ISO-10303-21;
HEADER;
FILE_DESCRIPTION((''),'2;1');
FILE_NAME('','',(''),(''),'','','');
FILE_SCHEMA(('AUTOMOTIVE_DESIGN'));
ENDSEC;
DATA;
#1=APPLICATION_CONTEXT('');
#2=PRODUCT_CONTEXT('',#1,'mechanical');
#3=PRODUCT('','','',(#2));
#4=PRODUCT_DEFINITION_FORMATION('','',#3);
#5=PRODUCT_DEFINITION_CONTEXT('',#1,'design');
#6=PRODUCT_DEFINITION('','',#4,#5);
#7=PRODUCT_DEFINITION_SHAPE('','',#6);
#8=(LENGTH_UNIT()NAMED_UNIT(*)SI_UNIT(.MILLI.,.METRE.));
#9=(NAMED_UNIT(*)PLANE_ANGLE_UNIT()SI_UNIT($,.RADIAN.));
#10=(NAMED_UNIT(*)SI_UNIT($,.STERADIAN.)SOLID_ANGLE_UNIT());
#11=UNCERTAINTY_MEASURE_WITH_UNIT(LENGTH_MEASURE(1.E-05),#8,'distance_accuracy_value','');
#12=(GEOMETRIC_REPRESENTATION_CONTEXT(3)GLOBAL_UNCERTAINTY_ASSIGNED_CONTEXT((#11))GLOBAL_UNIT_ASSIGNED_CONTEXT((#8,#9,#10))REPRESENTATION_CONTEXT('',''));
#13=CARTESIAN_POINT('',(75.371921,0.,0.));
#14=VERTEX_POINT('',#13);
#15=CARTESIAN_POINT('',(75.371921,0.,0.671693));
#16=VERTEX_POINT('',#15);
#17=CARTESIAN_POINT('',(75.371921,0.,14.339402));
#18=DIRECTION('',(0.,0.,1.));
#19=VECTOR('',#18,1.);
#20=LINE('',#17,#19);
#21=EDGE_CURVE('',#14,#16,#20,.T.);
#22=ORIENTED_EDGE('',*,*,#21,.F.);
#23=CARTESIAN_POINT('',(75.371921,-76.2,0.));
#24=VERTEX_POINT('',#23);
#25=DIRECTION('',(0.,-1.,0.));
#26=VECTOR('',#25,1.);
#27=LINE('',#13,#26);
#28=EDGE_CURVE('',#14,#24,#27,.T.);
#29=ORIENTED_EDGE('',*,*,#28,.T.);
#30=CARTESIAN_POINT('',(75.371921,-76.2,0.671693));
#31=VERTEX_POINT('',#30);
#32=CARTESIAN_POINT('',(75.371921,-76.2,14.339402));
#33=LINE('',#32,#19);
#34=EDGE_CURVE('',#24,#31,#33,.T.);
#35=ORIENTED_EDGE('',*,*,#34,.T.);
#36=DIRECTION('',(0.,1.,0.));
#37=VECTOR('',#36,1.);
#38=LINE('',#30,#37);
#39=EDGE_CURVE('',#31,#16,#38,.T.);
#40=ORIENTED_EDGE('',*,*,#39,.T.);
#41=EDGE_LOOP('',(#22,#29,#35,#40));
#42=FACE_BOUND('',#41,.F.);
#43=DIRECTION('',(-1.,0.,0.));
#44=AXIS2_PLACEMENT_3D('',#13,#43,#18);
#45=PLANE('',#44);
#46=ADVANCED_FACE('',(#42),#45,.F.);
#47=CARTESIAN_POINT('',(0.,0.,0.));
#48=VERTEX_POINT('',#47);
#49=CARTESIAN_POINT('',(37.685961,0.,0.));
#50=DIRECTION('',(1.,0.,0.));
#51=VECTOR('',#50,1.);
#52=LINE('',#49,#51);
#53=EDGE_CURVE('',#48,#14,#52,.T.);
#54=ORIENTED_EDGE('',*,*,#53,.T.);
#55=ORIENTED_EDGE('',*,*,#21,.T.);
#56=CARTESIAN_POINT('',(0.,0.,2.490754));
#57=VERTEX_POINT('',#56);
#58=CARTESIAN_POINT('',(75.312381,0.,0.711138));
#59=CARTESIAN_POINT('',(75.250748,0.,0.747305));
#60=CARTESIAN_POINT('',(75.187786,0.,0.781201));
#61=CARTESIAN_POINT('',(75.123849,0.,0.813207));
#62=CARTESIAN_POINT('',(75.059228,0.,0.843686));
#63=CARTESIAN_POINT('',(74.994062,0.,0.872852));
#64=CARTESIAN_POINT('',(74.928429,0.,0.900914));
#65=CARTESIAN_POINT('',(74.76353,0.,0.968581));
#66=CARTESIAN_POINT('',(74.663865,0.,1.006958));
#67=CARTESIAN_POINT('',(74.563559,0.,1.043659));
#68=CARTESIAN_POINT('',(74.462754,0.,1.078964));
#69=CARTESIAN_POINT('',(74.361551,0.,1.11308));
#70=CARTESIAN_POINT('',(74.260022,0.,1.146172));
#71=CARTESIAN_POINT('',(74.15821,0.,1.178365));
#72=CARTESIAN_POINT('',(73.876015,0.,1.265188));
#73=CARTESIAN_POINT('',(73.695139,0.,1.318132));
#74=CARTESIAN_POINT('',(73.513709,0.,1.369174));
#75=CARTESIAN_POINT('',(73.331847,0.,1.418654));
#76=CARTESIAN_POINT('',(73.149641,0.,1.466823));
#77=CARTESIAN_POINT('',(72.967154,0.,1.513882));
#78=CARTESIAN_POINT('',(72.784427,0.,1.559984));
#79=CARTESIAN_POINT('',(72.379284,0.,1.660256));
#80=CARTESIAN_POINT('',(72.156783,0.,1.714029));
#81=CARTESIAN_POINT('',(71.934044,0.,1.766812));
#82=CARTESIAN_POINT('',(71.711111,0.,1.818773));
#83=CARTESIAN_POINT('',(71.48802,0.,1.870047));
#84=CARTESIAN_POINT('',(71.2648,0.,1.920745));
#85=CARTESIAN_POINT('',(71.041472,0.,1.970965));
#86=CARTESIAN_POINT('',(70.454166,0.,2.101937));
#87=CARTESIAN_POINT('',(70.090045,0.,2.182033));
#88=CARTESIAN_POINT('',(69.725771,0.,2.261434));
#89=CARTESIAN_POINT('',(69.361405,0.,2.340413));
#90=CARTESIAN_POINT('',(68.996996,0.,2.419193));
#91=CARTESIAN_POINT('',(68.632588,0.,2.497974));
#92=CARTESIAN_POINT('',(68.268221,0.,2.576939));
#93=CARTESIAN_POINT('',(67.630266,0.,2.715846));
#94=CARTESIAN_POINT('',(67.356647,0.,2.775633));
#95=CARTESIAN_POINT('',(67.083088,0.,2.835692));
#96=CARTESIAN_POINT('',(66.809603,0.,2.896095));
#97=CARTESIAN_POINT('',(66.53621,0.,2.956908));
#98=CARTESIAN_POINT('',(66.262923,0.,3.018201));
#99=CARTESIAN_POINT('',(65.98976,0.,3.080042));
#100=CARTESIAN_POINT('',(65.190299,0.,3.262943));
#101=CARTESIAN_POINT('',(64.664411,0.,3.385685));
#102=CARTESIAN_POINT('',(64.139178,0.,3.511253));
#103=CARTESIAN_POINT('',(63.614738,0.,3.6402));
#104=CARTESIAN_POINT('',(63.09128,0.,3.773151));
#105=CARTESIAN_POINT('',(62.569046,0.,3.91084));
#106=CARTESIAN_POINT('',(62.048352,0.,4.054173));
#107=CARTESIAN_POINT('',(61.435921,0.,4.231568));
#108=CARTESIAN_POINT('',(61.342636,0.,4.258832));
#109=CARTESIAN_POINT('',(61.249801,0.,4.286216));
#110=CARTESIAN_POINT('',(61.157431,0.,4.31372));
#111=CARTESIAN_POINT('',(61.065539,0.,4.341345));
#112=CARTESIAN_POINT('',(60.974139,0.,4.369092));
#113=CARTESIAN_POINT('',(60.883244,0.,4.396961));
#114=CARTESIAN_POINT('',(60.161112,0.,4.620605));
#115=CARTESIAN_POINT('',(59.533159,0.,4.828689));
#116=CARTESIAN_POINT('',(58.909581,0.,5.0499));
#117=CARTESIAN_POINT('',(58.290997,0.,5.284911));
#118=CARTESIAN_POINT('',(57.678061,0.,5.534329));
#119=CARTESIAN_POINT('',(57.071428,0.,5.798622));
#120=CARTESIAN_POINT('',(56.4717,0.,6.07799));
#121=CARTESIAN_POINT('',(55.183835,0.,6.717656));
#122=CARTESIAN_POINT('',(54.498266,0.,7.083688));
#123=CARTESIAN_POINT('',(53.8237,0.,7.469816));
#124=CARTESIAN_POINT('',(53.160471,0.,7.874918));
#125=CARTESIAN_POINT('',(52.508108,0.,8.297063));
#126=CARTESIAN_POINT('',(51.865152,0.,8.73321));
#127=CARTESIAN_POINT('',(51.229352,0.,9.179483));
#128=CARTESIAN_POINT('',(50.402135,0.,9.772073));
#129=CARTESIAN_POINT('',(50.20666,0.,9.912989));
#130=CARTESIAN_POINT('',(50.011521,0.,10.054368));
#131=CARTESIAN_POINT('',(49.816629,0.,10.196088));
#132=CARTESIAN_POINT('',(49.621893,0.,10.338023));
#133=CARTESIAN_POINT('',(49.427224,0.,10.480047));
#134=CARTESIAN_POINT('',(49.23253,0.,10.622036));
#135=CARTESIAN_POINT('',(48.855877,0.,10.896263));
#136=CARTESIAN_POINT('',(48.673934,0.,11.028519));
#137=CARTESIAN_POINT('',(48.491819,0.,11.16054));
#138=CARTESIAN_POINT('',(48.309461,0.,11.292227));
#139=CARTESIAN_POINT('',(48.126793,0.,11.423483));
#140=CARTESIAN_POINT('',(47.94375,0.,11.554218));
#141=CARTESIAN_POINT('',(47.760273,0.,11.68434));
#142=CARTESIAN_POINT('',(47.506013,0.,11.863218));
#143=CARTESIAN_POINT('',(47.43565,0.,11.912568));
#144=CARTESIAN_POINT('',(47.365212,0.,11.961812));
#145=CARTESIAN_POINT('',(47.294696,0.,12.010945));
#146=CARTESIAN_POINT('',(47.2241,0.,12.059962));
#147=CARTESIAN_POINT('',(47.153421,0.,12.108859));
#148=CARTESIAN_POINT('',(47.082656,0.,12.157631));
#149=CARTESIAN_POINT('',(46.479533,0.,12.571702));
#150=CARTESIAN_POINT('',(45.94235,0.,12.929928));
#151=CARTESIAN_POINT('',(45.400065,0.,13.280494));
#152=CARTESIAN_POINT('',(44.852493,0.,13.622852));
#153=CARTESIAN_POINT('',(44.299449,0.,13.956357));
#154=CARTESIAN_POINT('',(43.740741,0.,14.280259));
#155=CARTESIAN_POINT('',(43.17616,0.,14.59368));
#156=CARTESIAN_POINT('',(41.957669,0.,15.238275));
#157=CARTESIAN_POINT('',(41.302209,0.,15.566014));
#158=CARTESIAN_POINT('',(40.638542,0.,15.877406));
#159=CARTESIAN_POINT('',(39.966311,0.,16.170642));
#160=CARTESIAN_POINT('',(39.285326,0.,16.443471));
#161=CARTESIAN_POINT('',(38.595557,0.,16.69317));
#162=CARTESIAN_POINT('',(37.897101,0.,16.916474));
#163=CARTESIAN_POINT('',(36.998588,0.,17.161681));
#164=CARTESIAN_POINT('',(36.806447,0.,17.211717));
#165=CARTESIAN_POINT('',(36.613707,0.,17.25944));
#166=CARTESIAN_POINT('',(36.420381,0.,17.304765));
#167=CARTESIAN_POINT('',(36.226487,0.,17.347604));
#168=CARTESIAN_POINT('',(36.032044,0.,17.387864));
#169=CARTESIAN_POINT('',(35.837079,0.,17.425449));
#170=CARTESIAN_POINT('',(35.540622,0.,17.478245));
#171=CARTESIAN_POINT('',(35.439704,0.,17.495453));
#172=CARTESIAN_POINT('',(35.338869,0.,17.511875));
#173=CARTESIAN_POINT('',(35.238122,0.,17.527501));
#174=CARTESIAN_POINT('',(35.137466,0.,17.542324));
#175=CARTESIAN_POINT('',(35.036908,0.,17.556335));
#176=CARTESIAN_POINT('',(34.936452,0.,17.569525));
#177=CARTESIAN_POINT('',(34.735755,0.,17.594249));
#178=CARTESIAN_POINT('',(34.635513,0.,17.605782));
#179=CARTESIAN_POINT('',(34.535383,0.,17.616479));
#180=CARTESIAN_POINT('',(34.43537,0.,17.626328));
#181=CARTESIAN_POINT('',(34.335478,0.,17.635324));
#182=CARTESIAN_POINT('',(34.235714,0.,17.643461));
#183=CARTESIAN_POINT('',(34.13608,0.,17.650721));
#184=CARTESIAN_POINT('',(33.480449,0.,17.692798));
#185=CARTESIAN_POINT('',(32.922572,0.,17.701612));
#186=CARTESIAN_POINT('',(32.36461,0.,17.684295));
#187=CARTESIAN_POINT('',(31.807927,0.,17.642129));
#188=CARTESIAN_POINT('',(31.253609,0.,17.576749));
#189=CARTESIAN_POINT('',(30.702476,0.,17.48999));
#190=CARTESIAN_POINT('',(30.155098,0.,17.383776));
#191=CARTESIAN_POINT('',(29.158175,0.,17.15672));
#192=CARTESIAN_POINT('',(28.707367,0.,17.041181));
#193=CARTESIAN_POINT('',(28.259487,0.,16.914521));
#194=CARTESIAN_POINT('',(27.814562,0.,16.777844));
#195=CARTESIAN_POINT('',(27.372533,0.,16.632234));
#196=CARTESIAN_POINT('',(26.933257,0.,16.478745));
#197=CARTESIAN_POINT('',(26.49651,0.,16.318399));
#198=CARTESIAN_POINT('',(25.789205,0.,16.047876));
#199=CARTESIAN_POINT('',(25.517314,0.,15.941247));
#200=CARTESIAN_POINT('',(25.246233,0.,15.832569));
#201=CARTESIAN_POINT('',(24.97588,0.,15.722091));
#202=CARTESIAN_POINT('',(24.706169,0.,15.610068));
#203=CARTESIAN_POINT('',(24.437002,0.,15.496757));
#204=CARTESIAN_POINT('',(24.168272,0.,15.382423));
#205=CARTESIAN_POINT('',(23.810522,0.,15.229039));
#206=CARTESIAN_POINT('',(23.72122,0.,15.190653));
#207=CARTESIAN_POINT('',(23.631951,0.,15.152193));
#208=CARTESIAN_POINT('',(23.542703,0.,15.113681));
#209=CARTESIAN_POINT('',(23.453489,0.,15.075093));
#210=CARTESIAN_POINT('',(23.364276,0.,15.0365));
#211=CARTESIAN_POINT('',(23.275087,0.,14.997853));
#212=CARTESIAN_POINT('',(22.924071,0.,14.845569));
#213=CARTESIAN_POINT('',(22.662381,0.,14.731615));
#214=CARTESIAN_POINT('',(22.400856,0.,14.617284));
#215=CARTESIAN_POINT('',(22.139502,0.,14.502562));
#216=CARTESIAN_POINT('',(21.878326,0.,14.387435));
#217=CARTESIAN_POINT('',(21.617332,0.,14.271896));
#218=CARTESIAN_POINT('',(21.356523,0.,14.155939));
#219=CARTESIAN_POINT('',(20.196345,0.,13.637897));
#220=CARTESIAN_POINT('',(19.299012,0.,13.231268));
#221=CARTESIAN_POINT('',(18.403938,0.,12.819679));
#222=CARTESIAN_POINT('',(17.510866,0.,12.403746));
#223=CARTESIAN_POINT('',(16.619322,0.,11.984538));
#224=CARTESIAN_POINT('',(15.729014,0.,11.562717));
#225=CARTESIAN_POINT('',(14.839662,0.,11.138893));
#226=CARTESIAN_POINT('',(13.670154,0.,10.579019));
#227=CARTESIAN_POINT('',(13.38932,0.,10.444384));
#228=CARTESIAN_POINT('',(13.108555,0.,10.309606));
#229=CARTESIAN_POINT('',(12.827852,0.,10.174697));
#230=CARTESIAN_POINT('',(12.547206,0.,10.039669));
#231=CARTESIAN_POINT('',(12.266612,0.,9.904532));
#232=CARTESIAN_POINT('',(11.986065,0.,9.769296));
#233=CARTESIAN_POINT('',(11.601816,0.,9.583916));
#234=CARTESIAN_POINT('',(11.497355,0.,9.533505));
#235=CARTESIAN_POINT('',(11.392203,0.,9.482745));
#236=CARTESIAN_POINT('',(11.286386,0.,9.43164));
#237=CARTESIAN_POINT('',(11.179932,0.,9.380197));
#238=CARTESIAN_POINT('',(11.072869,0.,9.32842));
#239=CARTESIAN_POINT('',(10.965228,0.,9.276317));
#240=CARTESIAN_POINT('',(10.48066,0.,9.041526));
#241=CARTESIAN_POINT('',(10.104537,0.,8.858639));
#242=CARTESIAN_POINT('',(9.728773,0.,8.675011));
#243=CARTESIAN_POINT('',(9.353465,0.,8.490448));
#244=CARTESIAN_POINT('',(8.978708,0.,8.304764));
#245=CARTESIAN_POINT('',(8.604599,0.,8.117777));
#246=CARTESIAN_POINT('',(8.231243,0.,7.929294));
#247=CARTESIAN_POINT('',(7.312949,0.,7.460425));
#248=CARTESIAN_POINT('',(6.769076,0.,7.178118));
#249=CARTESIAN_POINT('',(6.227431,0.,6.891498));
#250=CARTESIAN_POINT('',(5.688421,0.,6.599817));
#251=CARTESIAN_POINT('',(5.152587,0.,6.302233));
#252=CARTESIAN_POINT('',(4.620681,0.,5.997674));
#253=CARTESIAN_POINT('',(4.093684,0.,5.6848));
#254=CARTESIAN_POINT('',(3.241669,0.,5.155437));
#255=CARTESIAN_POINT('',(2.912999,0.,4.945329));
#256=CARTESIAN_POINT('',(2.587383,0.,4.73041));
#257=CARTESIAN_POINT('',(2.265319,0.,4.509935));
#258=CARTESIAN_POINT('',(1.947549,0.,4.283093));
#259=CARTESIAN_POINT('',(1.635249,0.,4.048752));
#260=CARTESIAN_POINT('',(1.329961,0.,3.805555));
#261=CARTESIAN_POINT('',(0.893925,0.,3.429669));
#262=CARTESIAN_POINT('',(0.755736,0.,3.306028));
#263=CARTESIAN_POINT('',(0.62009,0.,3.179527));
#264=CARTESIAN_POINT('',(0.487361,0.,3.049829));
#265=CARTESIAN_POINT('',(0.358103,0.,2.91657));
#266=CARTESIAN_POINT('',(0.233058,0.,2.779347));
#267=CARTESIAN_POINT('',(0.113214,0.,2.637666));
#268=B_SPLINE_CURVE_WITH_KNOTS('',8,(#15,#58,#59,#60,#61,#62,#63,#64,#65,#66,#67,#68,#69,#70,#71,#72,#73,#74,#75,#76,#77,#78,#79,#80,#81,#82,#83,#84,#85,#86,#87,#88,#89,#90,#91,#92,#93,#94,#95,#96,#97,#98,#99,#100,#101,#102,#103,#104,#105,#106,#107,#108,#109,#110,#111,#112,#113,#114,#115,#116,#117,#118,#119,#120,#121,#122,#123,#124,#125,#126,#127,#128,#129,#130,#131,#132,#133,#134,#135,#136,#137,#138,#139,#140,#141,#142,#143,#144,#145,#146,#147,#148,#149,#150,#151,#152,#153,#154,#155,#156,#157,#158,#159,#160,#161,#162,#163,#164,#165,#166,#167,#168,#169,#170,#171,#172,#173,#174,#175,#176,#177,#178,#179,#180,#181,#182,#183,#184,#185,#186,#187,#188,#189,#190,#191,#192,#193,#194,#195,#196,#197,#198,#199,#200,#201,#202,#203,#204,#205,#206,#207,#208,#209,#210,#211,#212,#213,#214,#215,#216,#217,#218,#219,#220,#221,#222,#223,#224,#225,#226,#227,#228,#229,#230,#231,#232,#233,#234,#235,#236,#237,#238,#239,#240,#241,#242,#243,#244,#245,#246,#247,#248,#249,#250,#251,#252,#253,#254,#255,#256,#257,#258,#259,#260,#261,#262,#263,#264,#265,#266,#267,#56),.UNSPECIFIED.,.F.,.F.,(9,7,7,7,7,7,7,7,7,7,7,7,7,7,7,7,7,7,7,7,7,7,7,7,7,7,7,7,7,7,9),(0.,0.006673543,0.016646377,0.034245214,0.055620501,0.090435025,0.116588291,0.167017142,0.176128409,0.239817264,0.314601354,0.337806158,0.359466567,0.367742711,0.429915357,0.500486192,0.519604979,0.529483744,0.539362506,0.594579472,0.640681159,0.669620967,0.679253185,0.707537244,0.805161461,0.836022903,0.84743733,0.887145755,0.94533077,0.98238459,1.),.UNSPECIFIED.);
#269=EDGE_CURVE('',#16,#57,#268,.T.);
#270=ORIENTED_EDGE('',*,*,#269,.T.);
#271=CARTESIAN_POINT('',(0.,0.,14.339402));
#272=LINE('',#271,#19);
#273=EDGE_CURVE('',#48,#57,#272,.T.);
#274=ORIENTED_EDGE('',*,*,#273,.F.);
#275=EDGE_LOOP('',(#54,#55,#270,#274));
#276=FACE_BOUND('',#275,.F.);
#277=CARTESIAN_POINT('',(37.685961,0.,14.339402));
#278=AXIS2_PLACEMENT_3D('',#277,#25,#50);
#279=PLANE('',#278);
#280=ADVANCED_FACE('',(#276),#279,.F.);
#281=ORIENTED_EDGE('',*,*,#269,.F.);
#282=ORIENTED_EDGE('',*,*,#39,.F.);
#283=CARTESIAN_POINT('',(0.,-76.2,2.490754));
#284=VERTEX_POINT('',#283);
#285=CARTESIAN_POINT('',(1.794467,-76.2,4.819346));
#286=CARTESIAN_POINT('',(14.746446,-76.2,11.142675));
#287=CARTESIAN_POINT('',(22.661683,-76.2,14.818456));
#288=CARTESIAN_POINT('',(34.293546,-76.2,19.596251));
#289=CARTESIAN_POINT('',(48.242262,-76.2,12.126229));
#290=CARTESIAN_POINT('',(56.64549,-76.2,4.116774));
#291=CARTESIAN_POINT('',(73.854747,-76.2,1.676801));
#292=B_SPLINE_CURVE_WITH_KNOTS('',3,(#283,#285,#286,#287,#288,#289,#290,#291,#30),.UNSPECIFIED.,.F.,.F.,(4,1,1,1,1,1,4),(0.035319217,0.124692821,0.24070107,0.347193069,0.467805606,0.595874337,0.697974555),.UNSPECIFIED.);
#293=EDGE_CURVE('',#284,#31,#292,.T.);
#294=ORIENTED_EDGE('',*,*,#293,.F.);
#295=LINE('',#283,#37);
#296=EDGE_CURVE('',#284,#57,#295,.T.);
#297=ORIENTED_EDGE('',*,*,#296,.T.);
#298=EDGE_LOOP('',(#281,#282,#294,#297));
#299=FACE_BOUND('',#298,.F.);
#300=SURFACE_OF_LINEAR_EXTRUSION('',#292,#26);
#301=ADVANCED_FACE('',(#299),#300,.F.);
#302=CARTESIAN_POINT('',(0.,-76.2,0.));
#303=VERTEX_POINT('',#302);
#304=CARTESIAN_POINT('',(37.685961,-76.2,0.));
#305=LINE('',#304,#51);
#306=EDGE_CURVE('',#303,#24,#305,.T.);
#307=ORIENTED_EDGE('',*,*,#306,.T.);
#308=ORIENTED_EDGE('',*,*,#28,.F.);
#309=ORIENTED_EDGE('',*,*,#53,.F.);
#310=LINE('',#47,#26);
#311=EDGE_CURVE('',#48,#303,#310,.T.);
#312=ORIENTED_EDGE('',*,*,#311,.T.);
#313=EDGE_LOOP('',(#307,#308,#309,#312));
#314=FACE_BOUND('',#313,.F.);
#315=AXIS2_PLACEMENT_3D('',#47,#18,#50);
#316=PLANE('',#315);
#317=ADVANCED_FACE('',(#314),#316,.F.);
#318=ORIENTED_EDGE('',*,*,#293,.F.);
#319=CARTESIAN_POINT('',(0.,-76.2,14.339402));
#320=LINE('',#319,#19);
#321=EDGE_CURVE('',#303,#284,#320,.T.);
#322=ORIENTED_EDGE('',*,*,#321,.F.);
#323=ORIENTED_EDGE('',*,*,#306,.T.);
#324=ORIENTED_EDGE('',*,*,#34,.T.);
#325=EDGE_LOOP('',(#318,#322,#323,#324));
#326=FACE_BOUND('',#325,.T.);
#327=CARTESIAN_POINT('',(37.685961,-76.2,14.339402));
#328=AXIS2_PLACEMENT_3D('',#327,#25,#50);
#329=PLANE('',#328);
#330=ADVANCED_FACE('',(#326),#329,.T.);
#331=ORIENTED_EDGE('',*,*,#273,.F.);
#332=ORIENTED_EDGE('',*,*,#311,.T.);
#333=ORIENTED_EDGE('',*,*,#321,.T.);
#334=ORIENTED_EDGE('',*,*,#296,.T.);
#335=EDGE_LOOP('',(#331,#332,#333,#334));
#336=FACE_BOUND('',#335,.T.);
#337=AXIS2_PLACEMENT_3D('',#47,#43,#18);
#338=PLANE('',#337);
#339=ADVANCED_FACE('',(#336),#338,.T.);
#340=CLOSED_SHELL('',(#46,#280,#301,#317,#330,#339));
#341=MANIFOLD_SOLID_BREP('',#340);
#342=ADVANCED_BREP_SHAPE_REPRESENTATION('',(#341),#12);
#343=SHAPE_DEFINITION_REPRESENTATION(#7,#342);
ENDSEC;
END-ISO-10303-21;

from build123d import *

# Parameters (mm, degrees)
F0_W     = 75.3719210625
F0_H     = 28.678804636
F1_DEPTH = 76.2
F3_DEPTH = 152.4


with BuildPart() as f1:
    # F0 (on Front) → F1 (new body)
    with BuildSketch(Plane.XZ):
        with Locations((37.6859605312, 14.339402318)):
            Rectangle(F0_W, F0_H)
    extrude(amount=F1_DEPTH)

    # F2 (on face) → F3 (cut)
    with BuildSketch(Plane.XZ.offset(76.2)):
        with BuildLine():
            add(Edge.make_bspline(
                [(0, 2.4907540576), (1.7944665335, 4.8193463527), (14.7464456378, 11.1426746478), (22.661682795, 14.8184558338), (34.2935455645, 19.5962508066), (48.2422616035, 12.1262285438), (56.6454902663, 4.1167735085), (73.8547473432, 1.676801172), (75.3719210625, 0.6716934432)],
                knots=[0.0353192169, 0.0353192169, 0.0353192169, 0.0353192169, 0.1246928206, 0.2407010695, 0.3471930693, 0.4678056056, 0.5958743373, 0.6979745549, 0.6979745549, 0.6979745549, 0.6979745549], degree=3))
            Line((75.3719210625, 0.6716934432), (75.3719210625, 28.678804636))
            Line((75.3719210625, 28.678804636), (0, 28.678804636))
            Line((0, 28.678804636), (0, 2.4907540576))
        make_face()
    extrude(amount=-F3_DEPTH, mode=Mode.SUBTRACT)


solid = f1.part
